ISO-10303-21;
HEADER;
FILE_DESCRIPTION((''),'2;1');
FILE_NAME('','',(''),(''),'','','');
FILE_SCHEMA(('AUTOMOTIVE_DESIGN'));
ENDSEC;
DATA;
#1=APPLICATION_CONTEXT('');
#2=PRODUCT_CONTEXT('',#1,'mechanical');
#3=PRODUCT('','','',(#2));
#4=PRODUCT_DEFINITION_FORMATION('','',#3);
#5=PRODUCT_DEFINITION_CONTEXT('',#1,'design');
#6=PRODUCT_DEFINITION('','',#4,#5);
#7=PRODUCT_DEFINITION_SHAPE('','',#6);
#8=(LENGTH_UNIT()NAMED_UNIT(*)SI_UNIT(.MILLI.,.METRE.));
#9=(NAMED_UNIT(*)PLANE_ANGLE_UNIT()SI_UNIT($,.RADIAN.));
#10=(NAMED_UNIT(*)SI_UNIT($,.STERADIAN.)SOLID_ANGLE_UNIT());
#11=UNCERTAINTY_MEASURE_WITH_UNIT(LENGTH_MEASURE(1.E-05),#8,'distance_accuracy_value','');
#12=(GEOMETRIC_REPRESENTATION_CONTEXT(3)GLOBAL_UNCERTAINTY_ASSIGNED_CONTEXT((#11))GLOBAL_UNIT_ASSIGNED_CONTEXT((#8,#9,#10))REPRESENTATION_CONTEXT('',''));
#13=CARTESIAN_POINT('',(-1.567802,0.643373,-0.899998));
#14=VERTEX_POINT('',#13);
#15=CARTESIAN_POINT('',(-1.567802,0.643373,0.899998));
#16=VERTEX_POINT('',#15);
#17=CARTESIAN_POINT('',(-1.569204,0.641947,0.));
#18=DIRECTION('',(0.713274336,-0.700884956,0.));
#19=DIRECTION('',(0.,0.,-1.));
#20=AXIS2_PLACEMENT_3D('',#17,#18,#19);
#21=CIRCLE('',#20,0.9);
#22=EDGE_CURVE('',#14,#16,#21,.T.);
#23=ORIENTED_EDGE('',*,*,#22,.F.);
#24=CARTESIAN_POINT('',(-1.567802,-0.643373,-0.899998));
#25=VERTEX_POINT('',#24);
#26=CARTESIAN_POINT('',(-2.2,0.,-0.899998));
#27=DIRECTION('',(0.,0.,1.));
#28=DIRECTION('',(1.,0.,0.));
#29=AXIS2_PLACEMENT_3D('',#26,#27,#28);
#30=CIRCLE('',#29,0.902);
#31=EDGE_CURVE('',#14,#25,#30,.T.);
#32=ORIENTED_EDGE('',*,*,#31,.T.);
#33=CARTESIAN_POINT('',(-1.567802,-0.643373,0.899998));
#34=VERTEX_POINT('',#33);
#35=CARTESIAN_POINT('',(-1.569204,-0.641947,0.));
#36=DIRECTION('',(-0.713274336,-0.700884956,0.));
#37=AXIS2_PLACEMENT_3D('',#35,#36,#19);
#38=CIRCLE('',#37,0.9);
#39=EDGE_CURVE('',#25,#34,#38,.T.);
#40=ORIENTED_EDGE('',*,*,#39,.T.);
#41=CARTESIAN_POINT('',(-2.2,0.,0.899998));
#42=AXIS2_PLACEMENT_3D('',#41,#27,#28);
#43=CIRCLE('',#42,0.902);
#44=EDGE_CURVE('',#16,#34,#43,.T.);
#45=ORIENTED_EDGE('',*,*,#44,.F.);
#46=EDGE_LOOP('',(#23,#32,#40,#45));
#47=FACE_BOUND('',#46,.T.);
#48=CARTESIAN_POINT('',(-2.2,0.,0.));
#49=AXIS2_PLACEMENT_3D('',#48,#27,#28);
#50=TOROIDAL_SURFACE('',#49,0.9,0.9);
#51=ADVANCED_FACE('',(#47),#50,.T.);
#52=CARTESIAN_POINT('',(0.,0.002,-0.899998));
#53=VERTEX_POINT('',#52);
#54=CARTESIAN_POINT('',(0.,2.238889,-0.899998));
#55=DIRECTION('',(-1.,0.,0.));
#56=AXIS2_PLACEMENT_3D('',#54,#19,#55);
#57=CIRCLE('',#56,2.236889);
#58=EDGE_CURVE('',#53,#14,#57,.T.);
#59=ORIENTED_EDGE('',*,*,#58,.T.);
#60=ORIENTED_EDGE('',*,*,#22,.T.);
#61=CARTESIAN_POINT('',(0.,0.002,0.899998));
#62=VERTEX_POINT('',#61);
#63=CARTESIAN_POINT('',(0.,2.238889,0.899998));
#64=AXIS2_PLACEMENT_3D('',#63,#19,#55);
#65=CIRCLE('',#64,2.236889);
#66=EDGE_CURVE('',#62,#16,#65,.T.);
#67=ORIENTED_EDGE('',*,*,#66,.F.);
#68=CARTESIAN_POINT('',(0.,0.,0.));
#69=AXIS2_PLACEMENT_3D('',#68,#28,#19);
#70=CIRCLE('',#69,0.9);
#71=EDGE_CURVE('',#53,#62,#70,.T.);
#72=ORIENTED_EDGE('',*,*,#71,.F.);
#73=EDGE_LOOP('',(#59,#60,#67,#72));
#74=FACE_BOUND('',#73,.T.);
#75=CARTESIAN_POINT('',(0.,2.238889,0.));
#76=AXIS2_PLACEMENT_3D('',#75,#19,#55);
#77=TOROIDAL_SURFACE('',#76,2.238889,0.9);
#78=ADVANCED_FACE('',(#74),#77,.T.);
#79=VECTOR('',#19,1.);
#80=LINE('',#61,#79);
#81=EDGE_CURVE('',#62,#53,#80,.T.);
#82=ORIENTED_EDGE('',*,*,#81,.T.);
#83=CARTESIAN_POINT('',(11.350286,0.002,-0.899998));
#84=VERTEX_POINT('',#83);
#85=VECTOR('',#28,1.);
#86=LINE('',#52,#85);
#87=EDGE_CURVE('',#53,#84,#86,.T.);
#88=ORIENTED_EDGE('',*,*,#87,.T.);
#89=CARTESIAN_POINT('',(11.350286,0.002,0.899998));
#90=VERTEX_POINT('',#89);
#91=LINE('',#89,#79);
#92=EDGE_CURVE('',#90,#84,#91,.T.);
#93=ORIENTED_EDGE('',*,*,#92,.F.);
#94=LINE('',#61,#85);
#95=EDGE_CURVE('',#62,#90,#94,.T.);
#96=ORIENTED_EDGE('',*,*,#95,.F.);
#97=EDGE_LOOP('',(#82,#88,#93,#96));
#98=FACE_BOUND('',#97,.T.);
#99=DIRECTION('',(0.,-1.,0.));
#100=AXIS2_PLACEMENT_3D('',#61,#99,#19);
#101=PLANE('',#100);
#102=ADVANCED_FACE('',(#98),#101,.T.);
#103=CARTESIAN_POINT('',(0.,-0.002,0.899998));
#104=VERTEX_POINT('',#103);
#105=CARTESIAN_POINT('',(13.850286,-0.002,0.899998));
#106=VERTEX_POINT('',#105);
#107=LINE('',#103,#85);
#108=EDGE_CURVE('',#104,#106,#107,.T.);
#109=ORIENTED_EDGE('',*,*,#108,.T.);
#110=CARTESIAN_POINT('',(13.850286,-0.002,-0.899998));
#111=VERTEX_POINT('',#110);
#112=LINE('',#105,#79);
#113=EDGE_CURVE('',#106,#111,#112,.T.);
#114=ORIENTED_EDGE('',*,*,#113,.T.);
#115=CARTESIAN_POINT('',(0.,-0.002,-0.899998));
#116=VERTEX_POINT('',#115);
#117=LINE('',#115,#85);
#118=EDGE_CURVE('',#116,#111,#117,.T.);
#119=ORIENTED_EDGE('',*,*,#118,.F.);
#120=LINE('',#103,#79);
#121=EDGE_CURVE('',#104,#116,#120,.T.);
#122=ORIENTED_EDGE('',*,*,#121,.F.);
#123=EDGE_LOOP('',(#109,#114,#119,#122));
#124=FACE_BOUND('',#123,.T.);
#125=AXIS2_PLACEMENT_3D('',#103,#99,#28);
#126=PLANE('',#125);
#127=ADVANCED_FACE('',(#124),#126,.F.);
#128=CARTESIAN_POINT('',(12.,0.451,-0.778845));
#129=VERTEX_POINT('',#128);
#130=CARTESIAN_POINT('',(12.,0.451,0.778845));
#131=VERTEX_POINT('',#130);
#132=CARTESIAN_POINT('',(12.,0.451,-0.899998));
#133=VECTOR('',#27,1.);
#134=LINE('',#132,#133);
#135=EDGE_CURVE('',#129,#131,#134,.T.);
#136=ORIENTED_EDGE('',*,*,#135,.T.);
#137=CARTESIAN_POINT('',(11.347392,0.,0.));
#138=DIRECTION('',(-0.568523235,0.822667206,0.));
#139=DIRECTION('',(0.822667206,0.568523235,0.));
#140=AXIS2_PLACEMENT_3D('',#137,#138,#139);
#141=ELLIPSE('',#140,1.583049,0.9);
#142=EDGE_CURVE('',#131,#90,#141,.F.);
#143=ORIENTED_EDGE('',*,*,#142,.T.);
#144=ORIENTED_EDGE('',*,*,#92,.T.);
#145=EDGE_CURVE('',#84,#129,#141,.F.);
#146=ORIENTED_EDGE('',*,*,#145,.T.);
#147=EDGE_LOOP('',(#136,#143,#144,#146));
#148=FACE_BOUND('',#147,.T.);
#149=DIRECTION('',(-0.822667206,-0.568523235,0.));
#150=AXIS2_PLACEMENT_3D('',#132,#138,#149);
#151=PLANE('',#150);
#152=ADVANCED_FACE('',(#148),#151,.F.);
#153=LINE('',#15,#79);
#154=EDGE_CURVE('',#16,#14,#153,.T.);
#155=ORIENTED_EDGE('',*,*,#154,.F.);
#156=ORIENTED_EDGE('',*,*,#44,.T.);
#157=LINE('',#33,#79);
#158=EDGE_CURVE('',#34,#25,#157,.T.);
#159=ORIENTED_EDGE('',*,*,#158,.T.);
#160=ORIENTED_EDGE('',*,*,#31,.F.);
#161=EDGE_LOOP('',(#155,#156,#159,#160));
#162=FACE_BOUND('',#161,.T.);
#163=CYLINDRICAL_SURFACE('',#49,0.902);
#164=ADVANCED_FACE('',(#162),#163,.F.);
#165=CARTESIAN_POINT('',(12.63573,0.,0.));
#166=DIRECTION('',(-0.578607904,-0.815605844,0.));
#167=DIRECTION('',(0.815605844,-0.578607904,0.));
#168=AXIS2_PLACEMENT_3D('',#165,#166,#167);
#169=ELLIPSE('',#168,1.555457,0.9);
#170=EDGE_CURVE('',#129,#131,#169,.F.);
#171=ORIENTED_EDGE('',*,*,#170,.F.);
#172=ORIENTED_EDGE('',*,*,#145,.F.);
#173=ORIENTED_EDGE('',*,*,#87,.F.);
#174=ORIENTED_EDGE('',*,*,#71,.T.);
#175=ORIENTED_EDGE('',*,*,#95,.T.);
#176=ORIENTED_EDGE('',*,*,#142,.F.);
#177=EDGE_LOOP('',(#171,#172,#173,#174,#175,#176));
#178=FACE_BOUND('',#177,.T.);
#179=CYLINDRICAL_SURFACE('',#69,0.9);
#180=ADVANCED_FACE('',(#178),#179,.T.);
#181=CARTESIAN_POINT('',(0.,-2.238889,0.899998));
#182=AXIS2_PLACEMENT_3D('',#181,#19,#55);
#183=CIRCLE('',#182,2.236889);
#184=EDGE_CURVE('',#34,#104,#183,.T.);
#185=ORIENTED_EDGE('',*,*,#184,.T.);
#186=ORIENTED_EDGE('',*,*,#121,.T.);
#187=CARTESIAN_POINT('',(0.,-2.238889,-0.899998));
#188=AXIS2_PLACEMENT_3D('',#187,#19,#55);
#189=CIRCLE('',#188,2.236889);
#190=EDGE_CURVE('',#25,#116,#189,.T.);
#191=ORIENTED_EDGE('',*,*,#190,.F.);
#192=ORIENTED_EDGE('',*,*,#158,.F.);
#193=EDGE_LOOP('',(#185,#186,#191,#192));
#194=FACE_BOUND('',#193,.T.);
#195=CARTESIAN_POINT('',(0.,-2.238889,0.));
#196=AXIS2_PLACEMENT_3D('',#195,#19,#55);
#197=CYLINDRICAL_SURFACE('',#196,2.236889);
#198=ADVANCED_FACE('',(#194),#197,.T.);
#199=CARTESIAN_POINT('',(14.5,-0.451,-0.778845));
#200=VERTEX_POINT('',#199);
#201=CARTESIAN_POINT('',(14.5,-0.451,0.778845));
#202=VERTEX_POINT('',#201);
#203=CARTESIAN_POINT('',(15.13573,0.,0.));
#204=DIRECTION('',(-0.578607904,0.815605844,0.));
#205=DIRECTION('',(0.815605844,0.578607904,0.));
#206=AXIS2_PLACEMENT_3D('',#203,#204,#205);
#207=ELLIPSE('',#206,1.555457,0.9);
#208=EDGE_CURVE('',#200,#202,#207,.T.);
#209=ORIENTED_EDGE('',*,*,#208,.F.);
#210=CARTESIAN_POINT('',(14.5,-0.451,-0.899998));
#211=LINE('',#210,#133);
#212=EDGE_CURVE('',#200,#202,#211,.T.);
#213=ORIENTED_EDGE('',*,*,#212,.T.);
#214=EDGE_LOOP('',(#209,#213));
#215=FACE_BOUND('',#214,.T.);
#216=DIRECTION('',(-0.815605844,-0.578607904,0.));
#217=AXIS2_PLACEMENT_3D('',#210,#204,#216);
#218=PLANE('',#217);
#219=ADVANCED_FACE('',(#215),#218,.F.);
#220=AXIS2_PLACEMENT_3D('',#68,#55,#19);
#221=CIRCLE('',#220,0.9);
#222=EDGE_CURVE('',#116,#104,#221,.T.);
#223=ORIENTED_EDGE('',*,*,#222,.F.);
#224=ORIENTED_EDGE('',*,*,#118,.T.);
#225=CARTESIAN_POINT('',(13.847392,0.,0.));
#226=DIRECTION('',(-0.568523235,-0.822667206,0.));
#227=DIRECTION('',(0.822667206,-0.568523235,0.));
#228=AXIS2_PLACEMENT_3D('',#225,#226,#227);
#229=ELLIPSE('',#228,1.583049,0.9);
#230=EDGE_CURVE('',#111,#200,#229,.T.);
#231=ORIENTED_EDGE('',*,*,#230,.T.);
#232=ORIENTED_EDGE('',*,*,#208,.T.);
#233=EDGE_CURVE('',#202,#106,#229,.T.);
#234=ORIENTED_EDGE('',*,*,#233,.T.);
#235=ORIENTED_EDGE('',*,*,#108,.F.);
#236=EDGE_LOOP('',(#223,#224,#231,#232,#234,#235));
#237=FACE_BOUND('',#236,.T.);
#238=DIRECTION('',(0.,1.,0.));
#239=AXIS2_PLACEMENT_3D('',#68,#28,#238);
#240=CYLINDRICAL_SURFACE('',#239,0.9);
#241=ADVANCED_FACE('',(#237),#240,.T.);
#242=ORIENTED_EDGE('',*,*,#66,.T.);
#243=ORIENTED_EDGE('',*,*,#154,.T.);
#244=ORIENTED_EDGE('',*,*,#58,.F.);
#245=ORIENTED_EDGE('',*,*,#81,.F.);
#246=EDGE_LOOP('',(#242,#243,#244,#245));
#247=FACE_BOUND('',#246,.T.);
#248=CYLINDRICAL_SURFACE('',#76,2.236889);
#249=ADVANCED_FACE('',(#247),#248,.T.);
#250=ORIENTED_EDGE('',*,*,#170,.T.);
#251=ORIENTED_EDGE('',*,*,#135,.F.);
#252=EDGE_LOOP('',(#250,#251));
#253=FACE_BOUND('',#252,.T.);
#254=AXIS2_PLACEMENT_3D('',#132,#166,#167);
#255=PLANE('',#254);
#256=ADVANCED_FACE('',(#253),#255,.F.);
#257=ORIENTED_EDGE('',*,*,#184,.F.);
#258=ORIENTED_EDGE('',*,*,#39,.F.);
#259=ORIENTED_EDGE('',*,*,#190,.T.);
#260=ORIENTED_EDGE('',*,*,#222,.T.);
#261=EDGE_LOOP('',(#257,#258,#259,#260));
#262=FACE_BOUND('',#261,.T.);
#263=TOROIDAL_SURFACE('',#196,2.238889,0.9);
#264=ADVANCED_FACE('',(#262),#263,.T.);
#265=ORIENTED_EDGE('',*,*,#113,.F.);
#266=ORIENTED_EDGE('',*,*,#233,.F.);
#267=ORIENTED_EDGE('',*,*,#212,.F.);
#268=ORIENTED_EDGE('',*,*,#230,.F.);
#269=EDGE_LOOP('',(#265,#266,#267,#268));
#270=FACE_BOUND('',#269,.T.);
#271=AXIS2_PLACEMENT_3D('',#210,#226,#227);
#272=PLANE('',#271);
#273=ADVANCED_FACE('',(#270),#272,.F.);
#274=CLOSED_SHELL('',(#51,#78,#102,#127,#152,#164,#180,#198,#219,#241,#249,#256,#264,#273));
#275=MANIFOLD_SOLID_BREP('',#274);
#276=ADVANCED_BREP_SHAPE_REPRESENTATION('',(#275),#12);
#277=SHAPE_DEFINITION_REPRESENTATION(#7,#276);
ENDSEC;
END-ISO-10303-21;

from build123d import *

# Parameters (mm, degrees)
CONECUT_DEPTH      = 15.638988918
CONECUT_DEPTH_BACK = 15.638988918


with BuildPart() as part:
    # Body: sweep along a path in PathSke
    with BuildLine(Plane.XY) as body_path:
        Line((12, 0.9), (0, 0.9))
        ThreePointArc((0, 0.9), (-0.50694731, 0.999684353), (-0.93840708, 1.283893805))
        ThreePointArc((-0.93840708, 1.283893805), (-4, 0), (-0.93840708, -1.283893805))
        ThreePointArc((-0.93840708, -1.283893805), (-0.50694731, -0.999684353), (0, -0.9))
        Line((0, -0.9), (14.5, -0.9))
    # SectionSke → Body (sweep)
    with BuildSketch(Plane(origin=(12, 0, 0), x_dir=(0, 0, -1), z_dir=(1, 0, 0))):
        with BuildLine():
            Line((-0.899997778, 0.002), (0.899997778, 0.002))
            ThreePointArc((0.899997778, 0.002), (0, 0.9), (-0.899997778, 0.002))
        make_face()
    sweep(path=body_path.line)

    # ConeCutSke → ConeCut (cut, two sides: drawn at the far end of the back side and taken through both)
    with BuildSketch(Plane.XY.offset(-CONECUT_DEPTH_BACK)):
        Polygon((12, 0.451), (11.352993487, 0.91), (14.51, 0.91), (14.51, -0.91), (13.852993487, -0.91), (14.5, -0.451), (13.847391827, 0), (11.347391827, 0), align=None)
    extrude(amount=CONECUT_DEPTH + CONECUT_DEPTH_BACK, mode=Mode.SUBTRACT)


solid = part.part
